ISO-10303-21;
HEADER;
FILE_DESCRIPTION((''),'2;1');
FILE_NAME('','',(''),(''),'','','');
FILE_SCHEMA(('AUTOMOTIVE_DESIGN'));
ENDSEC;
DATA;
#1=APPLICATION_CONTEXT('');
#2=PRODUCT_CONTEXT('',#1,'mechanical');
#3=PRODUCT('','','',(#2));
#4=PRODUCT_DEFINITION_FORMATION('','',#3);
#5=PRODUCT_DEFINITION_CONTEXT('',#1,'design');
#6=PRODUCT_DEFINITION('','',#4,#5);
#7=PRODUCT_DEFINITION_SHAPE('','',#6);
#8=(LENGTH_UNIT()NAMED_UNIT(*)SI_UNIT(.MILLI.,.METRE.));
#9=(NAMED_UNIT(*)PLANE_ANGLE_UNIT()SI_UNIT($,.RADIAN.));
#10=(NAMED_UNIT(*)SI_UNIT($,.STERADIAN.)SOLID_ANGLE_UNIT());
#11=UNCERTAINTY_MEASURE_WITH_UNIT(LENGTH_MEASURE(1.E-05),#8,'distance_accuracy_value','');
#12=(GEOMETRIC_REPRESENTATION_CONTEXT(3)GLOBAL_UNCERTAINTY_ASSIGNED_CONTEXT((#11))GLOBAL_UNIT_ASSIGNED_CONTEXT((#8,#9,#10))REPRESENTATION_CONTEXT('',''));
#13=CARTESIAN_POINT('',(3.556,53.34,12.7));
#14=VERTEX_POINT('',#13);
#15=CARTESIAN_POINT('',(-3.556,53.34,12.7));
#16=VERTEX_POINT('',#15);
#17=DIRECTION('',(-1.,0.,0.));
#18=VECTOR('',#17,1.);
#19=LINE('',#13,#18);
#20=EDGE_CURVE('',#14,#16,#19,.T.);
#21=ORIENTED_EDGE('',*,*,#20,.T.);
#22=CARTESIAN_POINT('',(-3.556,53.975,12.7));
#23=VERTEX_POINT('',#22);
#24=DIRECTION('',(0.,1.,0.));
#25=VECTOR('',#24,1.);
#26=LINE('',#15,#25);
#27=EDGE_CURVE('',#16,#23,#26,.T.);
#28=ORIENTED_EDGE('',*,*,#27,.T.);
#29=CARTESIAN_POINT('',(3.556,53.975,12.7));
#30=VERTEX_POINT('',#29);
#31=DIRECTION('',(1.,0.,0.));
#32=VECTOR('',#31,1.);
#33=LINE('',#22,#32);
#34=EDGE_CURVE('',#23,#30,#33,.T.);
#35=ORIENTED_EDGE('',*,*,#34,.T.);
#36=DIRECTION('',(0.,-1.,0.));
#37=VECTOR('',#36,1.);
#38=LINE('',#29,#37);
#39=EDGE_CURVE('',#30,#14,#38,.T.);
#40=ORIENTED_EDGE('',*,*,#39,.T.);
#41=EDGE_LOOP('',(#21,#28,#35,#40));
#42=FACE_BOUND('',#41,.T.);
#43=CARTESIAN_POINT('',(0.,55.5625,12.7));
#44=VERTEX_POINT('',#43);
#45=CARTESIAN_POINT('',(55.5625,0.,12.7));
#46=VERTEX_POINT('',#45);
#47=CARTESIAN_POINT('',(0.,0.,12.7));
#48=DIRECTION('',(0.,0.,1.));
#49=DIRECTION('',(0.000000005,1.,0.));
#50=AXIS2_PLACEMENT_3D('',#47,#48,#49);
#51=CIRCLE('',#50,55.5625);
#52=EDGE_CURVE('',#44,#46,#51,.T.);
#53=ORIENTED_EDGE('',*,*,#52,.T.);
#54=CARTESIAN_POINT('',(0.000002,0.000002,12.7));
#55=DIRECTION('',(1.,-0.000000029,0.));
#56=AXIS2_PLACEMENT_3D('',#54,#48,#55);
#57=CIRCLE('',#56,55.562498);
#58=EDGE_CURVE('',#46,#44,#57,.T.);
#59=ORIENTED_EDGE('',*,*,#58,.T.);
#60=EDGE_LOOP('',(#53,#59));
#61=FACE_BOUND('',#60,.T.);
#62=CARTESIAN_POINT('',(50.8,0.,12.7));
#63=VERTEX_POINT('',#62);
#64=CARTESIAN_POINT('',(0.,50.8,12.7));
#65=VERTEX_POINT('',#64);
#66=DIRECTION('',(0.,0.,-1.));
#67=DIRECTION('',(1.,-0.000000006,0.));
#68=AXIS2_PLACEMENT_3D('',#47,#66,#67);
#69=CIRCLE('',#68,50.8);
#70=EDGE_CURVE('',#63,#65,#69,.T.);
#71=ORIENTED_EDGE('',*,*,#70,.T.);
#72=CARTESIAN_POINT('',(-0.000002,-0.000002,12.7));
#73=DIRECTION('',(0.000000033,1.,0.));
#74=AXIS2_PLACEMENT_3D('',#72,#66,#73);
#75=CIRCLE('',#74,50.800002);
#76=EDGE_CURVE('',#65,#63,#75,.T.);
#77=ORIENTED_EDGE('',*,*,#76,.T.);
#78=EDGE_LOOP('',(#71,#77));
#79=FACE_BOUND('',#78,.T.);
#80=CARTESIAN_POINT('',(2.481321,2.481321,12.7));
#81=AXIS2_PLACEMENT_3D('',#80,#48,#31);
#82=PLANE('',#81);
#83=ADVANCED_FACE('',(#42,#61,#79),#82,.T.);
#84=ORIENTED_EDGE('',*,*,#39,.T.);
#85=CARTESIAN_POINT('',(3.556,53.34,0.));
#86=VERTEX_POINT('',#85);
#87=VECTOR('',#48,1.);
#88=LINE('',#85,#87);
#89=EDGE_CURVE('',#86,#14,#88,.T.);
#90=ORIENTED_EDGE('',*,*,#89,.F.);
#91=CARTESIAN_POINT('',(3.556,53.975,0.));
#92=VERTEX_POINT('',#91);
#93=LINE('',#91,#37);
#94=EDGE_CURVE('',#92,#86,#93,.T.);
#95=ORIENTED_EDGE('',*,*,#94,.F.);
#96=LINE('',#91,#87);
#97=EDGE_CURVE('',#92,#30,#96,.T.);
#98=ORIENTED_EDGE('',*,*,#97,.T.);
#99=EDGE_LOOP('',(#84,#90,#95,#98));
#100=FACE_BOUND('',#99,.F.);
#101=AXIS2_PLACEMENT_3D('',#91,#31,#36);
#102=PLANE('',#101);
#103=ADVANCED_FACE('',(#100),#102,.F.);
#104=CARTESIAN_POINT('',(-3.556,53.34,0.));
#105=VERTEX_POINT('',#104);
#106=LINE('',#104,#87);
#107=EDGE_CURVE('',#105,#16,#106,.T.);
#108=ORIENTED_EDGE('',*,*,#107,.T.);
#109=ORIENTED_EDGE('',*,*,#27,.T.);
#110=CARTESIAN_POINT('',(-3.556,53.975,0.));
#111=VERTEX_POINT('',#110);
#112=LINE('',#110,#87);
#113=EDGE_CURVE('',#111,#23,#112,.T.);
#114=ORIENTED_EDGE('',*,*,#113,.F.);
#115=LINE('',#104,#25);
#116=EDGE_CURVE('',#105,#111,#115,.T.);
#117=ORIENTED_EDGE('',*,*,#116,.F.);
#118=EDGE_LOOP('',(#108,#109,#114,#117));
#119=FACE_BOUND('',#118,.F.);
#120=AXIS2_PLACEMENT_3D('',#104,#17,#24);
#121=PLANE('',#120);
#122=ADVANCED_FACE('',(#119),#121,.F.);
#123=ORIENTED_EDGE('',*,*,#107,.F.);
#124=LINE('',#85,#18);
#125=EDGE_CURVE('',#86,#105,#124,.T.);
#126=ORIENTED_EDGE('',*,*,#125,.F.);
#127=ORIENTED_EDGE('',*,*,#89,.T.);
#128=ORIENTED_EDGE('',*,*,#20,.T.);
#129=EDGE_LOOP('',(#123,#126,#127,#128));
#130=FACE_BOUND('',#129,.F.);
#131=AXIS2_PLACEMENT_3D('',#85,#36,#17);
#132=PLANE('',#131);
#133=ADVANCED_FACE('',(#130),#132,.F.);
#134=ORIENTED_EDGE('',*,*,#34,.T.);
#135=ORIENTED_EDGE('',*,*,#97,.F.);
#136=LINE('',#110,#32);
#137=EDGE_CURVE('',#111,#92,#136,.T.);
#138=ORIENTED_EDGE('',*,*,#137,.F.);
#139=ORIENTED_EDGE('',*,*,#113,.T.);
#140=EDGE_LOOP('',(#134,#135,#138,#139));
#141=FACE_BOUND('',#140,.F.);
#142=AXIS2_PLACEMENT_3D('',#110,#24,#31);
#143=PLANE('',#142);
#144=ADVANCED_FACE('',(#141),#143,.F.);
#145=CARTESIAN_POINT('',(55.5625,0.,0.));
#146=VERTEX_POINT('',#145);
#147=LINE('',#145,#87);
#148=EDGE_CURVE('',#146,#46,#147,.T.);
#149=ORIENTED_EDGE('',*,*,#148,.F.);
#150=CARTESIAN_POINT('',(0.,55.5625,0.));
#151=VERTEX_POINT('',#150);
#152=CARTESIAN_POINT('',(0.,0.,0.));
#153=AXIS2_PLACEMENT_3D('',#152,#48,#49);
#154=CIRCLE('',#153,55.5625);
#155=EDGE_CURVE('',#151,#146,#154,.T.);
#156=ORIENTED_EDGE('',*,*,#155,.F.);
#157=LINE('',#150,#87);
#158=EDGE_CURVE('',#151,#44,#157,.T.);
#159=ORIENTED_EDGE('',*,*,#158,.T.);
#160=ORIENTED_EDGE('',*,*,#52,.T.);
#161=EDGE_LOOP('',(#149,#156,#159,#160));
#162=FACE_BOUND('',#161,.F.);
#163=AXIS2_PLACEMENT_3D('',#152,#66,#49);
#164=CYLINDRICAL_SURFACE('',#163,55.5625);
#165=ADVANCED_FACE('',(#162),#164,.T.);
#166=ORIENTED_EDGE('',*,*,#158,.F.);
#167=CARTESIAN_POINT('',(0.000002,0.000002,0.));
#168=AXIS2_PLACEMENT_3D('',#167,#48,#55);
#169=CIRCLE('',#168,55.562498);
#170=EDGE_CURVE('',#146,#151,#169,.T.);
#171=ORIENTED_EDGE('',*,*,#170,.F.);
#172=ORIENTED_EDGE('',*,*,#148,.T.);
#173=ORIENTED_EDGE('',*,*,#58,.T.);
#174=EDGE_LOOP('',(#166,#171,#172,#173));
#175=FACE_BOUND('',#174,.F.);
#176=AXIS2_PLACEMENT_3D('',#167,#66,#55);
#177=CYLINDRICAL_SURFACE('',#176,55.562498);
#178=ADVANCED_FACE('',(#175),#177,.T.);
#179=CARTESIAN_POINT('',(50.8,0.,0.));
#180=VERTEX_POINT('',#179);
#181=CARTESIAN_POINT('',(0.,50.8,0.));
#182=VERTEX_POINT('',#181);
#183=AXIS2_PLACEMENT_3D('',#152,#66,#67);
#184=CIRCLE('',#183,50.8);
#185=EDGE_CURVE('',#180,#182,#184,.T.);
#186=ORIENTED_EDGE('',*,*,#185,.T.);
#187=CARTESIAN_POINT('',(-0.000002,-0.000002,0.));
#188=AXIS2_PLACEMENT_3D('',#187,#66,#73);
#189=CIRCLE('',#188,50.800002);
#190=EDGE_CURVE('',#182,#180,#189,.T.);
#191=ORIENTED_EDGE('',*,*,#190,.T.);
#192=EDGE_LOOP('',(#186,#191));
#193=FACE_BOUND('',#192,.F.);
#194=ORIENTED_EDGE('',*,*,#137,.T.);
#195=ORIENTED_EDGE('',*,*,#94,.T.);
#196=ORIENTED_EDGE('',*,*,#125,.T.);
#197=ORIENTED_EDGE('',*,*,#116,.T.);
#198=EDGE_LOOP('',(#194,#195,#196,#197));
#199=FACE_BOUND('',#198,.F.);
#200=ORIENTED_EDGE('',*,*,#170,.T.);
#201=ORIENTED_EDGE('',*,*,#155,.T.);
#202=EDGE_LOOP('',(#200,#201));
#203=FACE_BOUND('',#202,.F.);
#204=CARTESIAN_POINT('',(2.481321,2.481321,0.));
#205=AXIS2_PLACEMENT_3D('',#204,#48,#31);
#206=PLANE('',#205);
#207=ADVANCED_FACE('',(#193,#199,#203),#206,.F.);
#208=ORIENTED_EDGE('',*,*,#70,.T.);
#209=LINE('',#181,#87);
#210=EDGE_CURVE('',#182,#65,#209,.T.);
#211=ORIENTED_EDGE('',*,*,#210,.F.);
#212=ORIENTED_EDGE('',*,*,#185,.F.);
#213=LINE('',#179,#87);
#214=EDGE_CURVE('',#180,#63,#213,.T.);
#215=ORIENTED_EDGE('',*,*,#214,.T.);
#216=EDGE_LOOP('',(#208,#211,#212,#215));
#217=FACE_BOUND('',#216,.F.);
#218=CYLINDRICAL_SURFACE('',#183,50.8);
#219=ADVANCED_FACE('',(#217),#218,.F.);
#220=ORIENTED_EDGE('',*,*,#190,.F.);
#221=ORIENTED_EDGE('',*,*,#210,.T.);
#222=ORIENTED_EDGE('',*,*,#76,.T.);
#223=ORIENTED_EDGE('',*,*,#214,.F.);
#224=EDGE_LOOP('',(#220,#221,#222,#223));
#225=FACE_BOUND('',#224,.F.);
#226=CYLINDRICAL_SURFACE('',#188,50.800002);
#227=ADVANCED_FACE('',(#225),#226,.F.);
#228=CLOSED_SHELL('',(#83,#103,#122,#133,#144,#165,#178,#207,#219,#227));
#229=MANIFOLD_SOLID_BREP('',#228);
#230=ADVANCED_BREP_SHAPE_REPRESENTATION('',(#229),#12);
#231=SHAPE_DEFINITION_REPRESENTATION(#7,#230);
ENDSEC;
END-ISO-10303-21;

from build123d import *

# Parameters (mm, degrees)
F1_DEPTH = 12.7


with BuildPart() as f1:
    # F0 (on Top) → F1 (new body)
    with BuildSketch(Plane.XY):
        with BuildLine():
            ThreePointArc((55.5625, 0), (39.288621, 39.288621), (0, 55.5625))
            ThreePointArc((0, 55.5625), (-39.288621, -39.288621), (55.5625, 0))
        make_face()
        with BuildLine():
            ThreePointArc((0, 50.8), (35.921024, 35.921024), (50.8, 0))
            ThreePointArc((50.8, 0), (-35.921024, -35.921024), (0, 50.8))
        make_face(mode=Mode.SUBTRACT)
        Polygon((3.556, 53.34), (0, 53.34), (-3.556, 53.34), (-3.556, 53.975), (0, 53.975), (3.556, 53.975), align=None, mode=Mode.SUBTRACT)
    extrude(amount=F1_DEPTH)


solid = f1.part
